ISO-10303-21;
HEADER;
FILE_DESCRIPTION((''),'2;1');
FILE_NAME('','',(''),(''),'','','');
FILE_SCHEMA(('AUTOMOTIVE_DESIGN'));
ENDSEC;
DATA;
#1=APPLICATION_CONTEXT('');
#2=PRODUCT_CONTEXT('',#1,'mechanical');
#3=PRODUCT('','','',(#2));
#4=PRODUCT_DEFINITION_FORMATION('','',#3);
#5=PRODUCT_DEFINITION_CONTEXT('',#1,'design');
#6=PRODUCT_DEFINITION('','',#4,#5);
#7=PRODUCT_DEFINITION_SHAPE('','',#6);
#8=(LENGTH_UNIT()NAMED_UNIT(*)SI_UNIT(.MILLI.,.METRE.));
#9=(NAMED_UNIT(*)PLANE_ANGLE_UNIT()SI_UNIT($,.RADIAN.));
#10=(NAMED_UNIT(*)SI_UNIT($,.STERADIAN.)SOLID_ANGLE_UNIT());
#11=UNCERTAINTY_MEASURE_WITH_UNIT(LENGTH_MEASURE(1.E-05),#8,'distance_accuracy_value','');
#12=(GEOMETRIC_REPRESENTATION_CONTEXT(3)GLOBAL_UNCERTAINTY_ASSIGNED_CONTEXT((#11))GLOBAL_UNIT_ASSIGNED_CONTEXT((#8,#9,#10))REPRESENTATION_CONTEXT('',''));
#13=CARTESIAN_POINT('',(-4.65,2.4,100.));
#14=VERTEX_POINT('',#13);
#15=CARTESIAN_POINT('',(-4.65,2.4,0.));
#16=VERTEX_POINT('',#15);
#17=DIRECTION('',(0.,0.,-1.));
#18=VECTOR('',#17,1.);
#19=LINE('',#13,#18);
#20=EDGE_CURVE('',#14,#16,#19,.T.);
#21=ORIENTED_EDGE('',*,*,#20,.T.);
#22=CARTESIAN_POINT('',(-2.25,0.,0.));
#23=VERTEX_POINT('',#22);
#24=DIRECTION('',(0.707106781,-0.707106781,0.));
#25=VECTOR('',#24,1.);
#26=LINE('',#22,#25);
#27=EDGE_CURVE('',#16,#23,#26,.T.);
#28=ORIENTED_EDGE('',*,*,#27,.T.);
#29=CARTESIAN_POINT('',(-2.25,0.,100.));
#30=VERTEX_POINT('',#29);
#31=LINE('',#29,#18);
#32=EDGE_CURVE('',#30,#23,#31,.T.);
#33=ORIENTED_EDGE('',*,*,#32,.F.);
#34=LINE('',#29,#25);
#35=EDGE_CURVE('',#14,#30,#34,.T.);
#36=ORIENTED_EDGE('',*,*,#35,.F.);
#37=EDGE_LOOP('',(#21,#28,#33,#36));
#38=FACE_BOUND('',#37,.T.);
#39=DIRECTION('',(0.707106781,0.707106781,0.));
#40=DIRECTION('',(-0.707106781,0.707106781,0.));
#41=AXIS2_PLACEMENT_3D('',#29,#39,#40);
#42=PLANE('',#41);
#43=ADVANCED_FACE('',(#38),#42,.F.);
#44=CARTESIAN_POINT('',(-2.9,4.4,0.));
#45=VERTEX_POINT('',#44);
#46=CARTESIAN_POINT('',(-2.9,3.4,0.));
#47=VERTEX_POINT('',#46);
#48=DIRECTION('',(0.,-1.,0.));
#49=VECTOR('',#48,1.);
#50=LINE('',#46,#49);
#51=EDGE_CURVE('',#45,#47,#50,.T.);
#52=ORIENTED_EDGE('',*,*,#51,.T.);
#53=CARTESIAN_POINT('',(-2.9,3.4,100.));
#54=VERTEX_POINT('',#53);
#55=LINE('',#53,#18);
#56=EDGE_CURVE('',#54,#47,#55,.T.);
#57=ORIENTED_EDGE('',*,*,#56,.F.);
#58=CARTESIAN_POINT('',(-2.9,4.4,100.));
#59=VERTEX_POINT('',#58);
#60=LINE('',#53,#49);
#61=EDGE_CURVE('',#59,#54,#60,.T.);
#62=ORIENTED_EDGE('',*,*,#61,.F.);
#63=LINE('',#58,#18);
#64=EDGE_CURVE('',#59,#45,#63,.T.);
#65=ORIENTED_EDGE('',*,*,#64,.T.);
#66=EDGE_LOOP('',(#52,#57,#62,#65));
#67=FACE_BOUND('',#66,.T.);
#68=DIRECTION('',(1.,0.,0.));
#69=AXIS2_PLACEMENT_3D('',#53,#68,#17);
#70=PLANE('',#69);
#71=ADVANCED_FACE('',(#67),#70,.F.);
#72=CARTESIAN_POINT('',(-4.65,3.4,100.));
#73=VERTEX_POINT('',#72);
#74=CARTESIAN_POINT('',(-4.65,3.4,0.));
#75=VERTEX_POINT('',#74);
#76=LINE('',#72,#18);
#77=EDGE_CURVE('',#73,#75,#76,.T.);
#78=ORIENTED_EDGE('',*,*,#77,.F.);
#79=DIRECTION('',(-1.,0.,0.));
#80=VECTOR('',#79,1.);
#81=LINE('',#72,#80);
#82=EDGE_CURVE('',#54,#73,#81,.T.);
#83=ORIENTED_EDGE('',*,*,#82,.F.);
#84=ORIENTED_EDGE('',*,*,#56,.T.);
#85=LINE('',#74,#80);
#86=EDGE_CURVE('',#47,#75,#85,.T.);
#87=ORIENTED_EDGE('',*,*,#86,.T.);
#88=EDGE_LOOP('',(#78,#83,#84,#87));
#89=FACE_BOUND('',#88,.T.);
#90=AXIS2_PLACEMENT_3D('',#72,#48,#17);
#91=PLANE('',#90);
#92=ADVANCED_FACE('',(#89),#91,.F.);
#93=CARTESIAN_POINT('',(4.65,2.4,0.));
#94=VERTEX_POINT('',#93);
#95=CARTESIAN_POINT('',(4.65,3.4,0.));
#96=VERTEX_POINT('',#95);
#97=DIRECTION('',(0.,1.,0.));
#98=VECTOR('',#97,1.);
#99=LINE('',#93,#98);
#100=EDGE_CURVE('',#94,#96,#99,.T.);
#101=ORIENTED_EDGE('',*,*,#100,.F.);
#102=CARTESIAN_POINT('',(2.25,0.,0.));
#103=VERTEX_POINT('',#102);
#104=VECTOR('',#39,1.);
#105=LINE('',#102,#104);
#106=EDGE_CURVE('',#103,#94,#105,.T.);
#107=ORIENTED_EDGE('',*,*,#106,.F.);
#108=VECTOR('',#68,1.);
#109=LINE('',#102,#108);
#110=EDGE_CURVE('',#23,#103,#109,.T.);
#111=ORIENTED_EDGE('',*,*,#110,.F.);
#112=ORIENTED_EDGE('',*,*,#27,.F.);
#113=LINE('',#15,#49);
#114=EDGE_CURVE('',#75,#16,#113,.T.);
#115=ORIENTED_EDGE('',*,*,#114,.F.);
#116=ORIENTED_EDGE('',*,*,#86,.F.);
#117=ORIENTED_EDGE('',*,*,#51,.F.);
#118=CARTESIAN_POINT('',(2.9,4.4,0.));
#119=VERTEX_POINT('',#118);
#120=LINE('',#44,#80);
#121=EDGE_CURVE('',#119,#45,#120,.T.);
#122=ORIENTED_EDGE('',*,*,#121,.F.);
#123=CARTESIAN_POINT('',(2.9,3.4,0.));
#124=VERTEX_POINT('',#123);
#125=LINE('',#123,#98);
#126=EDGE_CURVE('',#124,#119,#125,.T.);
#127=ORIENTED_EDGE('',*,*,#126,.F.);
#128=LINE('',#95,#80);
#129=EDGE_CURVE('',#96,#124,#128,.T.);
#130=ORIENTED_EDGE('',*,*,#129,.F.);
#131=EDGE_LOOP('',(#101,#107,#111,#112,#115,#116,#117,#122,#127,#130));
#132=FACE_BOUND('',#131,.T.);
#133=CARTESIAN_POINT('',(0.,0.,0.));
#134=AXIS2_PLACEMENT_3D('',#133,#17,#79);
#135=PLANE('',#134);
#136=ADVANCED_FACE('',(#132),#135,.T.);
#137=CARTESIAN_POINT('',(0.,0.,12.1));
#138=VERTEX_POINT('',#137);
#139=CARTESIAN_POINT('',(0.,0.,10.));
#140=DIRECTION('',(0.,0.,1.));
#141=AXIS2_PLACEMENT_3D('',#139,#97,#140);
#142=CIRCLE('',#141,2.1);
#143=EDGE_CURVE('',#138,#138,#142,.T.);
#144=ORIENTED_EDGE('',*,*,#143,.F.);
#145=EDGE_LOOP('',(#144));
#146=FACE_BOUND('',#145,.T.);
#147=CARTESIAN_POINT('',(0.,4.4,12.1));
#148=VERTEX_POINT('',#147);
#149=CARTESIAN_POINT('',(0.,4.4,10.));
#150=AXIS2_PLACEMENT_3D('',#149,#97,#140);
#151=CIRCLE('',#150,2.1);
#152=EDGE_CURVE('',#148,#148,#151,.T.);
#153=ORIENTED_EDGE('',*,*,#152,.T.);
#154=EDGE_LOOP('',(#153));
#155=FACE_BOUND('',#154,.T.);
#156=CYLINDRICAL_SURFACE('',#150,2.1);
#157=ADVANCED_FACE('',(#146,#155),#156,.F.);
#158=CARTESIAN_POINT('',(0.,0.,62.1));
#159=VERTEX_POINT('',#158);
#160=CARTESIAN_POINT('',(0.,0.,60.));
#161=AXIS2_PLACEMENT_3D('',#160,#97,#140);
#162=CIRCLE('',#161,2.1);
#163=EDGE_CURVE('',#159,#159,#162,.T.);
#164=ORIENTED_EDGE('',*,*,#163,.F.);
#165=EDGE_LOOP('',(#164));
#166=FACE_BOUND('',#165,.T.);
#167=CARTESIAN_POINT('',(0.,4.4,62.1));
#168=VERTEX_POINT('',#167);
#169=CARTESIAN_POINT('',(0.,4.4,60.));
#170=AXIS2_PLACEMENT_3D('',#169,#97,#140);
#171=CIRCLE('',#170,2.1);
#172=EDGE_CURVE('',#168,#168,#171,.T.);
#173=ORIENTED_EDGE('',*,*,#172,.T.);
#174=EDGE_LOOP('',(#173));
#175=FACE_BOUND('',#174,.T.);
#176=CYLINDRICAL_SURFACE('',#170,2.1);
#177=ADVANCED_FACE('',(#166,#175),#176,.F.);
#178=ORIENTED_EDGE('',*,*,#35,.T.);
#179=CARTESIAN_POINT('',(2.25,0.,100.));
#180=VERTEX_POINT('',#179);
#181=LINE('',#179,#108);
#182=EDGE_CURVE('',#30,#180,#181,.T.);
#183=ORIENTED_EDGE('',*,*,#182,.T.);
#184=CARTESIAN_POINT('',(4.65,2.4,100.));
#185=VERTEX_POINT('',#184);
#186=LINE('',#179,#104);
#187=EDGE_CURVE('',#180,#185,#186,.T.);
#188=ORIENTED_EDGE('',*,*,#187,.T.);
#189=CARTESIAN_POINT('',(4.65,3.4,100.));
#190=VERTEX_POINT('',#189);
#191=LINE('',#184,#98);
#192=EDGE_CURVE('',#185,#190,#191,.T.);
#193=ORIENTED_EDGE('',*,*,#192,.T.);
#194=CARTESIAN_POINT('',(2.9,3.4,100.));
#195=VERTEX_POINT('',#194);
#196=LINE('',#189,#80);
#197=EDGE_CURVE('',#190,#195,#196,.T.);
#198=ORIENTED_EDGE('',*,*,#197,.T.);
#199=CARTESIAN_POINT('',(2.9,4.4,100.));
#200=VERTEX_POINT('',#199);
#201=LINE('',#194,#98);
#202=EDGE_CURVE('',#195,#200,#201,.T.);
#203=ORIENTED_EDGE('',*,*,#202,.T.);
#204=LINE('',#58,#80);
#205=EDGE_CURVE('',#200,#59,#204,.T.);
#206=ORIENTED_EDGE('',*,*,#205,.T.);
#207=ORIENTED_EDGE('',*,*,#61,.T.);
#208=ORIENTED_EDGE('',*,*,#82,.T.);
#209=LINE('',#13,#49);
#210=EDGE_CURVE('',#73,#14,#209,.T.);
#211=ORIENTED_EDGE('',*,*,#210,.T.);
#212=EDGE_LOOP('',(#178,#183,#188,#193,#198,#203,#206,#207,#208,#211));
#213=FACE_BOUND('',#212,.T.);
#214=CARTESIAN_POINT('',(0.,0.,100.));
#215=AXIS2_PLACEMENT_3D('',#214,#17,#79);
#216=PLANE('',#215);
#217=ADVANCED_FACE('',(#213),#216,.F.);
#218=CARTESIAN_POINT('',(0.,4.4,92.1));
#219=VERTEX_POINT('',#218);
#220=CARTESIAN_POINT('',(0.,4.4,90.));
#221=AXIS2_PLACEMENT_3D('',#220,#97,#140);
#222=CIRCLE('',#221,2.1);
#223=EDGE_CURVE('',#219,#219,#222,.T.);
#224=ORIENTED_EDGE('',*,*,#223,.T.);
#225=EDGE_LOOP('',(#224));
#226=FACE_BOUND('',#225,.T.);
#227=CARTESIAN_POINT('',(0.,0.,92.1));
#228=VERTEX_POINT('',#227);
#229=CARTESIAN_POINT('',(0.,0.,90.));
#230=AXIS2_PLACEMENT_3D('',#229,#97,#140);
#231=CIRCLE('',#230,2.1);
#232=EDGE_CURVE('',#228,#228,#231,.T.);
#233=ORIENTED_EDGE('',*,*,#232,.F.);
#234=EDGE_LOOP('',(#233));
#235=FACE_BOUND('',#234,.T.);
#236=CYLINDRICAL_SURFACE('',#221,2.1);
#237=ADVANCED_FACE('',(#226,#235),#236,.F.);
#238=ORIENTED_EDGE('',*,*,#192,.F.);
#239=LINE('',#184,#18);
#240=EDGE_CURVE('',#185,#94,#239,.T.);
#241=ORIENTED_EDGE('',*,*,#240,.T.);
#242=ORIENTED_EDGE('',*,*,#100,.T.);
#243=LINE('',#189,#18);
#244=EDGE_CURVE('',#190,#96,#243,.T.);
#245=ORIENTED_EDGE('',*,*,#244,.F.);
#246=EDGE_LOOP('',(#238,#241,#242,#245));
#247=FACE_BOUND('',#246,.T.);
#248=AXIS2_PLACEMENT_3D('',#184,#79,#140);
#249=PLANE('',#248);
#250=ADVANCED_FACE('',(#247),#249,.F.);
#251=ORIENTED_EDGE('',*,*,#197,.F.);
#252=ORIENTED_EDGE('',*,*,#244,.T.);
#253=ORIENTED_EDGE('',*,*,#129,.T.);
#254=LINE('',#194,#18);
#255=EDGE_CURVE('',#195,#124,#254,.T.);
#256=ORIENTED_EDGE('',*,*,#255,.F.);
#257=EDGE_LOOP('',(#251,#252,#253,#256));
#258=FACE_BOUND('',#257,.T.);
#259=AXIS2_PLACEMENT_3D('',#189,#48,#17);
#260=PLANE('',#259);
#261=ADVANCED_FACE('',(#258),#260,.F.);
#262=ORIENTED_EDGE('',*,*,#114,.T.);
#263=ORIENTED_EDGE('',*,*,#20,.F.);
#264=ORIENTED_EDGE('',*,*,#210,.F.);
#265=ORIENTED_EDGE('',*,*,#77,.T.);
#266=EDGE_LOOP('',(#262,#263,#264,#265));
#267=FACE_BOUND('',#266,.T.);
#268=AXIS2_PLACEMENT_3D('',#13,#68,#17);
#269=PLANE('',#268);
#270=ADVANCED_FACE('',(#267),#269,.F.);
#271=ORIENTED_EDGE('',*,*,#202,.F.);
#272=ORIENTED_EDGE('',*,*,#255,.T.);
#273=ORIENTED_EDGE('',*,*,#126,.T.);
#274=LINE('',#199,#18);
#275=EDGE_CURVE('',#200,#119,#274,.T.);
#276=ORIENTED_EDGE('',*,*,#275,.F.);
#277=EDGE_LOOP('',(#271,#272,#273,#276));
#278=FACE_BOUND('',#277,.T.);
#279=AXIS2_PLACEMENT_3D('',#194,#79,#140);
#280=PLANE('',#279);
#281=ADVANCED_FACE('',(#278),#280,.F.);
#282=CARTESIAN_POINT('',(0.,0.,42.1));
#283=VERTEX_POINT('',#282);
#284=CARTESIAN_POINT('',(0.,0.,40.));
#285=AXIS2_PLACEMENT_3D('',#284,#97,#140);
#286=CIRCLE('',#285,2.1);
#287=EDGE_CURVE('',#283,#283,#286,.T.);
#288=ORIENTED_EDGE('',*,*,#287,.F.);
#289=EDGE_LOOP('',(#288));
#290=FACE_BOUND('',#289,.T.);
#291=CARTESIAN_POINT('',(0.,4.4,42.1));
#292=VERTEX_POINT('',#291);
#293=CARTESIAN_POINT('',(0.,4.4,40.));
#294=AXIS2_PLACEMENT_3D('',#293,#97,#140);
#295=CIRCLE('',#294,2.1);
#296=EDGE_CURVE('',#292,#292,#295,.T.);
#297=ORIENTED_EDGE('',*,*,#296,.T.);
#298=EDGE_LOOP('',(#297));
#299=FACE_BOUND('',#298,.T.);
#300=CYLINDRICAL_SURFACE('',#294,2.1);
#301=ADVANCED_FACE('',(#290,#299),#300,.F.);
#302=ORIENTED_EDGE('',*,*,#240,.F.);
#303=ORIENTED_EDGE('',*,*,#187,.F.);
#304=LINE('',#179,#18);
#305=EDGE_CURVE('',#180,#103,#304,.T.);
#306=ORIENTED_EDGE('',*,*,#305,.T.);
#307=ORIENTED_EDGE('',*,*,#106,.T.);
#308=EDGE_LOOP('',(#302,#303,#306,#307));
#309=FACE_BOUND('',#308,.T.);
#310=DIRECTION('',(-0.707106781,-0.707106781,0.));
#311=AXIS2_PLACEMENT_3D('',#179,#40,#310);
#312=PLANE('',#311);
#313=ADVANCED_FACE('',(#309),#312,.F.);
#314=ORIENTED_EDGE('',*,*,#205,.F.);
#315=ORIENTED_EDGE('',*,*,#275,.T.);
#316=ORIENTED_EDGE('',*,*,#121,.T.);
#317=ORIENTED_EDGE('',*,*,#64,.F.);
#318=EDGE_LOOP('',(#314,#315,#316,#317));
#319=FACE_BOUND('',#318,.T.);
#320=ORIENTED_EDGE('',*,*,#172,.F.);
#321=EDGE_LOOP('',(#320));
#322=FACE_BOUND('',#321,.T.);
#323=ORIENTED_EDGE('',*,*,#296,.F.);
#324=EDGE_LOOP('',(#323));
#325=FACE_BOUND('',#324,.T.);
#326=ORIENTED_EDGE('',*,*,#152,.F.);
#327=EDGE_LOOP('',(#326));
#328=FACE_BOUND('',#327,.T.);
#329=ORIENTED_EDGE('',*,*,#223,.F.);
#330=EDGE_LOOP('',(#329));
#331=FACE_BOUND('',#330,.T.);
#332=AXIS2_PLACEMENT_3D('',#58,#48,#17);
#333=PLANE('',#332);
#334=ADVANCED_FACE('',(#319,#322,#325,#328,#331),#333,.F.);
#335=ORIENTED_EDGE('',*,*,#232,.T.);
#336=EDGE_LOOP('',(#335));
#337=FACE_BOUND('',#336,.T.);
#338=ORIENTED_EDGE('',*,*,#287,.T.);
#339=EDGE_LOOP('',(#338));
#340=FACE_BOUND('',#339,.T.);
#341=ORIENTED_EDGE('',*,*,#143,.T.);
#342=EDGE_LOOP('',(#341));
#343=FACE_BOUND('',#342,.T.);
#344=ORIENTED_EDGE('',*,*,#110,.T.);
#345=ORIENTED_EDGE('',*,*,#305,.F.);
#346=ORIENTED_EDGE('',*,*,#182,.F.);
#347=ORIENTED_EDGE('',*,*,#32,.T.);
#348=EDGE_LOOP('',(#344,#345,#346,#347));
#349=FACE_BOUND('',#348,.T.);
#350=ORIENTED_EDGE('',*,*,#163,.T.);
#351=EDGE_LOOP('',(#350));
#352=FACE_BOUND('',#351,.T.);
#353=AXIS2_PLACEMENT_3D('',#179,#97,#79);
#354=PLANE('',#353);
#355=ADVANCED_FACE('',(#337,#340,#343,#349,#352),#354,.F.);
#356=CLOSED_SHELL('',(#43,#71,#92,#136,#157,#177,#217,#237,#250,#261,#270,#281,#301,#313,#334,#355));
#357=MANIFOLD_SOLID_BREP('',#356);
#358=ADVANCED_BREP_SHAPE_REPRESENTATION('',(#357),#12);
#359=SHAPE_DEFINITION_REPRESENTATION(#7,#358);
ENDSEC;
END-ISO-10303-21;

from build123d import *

# Parameters (mm, degrees)
BOSS_EXTRUDE1_DEPTH   = 100
M5X0_8_TAPPED_HOLE1_D = 4.2


with BuildPart() as part:
    # Sketch1 → Boss-Extrude1 (new body)
    with BuildSketch(Plane.XY):
        Polygon((2.25, 0), (-2.25, 0), (-4.65, 2.4), (-4.65, 3.4), (-2.9, 3.4), (-2.9, 4.4), (2.9, 4.4), (2.9, 3.4), (4.65, 3.4), (4.65, 2.4), align=None)
    extrude(amount=BOSS_EXTRUDE1_DEPTH)

    # M5x0.8 Tapped Hole1 (through all)
    with Locations(Plane(origin=(0, 4.4, 0), x_dir=(1, 0, 0), z_dir=(0, 1, 0))):
        with Locations((0, -10), (0, -40), (0, -60), (0, -90)):
            Hole(M5X0_8_TAPPED_HOLE1_D / 2)


solid = part.part
